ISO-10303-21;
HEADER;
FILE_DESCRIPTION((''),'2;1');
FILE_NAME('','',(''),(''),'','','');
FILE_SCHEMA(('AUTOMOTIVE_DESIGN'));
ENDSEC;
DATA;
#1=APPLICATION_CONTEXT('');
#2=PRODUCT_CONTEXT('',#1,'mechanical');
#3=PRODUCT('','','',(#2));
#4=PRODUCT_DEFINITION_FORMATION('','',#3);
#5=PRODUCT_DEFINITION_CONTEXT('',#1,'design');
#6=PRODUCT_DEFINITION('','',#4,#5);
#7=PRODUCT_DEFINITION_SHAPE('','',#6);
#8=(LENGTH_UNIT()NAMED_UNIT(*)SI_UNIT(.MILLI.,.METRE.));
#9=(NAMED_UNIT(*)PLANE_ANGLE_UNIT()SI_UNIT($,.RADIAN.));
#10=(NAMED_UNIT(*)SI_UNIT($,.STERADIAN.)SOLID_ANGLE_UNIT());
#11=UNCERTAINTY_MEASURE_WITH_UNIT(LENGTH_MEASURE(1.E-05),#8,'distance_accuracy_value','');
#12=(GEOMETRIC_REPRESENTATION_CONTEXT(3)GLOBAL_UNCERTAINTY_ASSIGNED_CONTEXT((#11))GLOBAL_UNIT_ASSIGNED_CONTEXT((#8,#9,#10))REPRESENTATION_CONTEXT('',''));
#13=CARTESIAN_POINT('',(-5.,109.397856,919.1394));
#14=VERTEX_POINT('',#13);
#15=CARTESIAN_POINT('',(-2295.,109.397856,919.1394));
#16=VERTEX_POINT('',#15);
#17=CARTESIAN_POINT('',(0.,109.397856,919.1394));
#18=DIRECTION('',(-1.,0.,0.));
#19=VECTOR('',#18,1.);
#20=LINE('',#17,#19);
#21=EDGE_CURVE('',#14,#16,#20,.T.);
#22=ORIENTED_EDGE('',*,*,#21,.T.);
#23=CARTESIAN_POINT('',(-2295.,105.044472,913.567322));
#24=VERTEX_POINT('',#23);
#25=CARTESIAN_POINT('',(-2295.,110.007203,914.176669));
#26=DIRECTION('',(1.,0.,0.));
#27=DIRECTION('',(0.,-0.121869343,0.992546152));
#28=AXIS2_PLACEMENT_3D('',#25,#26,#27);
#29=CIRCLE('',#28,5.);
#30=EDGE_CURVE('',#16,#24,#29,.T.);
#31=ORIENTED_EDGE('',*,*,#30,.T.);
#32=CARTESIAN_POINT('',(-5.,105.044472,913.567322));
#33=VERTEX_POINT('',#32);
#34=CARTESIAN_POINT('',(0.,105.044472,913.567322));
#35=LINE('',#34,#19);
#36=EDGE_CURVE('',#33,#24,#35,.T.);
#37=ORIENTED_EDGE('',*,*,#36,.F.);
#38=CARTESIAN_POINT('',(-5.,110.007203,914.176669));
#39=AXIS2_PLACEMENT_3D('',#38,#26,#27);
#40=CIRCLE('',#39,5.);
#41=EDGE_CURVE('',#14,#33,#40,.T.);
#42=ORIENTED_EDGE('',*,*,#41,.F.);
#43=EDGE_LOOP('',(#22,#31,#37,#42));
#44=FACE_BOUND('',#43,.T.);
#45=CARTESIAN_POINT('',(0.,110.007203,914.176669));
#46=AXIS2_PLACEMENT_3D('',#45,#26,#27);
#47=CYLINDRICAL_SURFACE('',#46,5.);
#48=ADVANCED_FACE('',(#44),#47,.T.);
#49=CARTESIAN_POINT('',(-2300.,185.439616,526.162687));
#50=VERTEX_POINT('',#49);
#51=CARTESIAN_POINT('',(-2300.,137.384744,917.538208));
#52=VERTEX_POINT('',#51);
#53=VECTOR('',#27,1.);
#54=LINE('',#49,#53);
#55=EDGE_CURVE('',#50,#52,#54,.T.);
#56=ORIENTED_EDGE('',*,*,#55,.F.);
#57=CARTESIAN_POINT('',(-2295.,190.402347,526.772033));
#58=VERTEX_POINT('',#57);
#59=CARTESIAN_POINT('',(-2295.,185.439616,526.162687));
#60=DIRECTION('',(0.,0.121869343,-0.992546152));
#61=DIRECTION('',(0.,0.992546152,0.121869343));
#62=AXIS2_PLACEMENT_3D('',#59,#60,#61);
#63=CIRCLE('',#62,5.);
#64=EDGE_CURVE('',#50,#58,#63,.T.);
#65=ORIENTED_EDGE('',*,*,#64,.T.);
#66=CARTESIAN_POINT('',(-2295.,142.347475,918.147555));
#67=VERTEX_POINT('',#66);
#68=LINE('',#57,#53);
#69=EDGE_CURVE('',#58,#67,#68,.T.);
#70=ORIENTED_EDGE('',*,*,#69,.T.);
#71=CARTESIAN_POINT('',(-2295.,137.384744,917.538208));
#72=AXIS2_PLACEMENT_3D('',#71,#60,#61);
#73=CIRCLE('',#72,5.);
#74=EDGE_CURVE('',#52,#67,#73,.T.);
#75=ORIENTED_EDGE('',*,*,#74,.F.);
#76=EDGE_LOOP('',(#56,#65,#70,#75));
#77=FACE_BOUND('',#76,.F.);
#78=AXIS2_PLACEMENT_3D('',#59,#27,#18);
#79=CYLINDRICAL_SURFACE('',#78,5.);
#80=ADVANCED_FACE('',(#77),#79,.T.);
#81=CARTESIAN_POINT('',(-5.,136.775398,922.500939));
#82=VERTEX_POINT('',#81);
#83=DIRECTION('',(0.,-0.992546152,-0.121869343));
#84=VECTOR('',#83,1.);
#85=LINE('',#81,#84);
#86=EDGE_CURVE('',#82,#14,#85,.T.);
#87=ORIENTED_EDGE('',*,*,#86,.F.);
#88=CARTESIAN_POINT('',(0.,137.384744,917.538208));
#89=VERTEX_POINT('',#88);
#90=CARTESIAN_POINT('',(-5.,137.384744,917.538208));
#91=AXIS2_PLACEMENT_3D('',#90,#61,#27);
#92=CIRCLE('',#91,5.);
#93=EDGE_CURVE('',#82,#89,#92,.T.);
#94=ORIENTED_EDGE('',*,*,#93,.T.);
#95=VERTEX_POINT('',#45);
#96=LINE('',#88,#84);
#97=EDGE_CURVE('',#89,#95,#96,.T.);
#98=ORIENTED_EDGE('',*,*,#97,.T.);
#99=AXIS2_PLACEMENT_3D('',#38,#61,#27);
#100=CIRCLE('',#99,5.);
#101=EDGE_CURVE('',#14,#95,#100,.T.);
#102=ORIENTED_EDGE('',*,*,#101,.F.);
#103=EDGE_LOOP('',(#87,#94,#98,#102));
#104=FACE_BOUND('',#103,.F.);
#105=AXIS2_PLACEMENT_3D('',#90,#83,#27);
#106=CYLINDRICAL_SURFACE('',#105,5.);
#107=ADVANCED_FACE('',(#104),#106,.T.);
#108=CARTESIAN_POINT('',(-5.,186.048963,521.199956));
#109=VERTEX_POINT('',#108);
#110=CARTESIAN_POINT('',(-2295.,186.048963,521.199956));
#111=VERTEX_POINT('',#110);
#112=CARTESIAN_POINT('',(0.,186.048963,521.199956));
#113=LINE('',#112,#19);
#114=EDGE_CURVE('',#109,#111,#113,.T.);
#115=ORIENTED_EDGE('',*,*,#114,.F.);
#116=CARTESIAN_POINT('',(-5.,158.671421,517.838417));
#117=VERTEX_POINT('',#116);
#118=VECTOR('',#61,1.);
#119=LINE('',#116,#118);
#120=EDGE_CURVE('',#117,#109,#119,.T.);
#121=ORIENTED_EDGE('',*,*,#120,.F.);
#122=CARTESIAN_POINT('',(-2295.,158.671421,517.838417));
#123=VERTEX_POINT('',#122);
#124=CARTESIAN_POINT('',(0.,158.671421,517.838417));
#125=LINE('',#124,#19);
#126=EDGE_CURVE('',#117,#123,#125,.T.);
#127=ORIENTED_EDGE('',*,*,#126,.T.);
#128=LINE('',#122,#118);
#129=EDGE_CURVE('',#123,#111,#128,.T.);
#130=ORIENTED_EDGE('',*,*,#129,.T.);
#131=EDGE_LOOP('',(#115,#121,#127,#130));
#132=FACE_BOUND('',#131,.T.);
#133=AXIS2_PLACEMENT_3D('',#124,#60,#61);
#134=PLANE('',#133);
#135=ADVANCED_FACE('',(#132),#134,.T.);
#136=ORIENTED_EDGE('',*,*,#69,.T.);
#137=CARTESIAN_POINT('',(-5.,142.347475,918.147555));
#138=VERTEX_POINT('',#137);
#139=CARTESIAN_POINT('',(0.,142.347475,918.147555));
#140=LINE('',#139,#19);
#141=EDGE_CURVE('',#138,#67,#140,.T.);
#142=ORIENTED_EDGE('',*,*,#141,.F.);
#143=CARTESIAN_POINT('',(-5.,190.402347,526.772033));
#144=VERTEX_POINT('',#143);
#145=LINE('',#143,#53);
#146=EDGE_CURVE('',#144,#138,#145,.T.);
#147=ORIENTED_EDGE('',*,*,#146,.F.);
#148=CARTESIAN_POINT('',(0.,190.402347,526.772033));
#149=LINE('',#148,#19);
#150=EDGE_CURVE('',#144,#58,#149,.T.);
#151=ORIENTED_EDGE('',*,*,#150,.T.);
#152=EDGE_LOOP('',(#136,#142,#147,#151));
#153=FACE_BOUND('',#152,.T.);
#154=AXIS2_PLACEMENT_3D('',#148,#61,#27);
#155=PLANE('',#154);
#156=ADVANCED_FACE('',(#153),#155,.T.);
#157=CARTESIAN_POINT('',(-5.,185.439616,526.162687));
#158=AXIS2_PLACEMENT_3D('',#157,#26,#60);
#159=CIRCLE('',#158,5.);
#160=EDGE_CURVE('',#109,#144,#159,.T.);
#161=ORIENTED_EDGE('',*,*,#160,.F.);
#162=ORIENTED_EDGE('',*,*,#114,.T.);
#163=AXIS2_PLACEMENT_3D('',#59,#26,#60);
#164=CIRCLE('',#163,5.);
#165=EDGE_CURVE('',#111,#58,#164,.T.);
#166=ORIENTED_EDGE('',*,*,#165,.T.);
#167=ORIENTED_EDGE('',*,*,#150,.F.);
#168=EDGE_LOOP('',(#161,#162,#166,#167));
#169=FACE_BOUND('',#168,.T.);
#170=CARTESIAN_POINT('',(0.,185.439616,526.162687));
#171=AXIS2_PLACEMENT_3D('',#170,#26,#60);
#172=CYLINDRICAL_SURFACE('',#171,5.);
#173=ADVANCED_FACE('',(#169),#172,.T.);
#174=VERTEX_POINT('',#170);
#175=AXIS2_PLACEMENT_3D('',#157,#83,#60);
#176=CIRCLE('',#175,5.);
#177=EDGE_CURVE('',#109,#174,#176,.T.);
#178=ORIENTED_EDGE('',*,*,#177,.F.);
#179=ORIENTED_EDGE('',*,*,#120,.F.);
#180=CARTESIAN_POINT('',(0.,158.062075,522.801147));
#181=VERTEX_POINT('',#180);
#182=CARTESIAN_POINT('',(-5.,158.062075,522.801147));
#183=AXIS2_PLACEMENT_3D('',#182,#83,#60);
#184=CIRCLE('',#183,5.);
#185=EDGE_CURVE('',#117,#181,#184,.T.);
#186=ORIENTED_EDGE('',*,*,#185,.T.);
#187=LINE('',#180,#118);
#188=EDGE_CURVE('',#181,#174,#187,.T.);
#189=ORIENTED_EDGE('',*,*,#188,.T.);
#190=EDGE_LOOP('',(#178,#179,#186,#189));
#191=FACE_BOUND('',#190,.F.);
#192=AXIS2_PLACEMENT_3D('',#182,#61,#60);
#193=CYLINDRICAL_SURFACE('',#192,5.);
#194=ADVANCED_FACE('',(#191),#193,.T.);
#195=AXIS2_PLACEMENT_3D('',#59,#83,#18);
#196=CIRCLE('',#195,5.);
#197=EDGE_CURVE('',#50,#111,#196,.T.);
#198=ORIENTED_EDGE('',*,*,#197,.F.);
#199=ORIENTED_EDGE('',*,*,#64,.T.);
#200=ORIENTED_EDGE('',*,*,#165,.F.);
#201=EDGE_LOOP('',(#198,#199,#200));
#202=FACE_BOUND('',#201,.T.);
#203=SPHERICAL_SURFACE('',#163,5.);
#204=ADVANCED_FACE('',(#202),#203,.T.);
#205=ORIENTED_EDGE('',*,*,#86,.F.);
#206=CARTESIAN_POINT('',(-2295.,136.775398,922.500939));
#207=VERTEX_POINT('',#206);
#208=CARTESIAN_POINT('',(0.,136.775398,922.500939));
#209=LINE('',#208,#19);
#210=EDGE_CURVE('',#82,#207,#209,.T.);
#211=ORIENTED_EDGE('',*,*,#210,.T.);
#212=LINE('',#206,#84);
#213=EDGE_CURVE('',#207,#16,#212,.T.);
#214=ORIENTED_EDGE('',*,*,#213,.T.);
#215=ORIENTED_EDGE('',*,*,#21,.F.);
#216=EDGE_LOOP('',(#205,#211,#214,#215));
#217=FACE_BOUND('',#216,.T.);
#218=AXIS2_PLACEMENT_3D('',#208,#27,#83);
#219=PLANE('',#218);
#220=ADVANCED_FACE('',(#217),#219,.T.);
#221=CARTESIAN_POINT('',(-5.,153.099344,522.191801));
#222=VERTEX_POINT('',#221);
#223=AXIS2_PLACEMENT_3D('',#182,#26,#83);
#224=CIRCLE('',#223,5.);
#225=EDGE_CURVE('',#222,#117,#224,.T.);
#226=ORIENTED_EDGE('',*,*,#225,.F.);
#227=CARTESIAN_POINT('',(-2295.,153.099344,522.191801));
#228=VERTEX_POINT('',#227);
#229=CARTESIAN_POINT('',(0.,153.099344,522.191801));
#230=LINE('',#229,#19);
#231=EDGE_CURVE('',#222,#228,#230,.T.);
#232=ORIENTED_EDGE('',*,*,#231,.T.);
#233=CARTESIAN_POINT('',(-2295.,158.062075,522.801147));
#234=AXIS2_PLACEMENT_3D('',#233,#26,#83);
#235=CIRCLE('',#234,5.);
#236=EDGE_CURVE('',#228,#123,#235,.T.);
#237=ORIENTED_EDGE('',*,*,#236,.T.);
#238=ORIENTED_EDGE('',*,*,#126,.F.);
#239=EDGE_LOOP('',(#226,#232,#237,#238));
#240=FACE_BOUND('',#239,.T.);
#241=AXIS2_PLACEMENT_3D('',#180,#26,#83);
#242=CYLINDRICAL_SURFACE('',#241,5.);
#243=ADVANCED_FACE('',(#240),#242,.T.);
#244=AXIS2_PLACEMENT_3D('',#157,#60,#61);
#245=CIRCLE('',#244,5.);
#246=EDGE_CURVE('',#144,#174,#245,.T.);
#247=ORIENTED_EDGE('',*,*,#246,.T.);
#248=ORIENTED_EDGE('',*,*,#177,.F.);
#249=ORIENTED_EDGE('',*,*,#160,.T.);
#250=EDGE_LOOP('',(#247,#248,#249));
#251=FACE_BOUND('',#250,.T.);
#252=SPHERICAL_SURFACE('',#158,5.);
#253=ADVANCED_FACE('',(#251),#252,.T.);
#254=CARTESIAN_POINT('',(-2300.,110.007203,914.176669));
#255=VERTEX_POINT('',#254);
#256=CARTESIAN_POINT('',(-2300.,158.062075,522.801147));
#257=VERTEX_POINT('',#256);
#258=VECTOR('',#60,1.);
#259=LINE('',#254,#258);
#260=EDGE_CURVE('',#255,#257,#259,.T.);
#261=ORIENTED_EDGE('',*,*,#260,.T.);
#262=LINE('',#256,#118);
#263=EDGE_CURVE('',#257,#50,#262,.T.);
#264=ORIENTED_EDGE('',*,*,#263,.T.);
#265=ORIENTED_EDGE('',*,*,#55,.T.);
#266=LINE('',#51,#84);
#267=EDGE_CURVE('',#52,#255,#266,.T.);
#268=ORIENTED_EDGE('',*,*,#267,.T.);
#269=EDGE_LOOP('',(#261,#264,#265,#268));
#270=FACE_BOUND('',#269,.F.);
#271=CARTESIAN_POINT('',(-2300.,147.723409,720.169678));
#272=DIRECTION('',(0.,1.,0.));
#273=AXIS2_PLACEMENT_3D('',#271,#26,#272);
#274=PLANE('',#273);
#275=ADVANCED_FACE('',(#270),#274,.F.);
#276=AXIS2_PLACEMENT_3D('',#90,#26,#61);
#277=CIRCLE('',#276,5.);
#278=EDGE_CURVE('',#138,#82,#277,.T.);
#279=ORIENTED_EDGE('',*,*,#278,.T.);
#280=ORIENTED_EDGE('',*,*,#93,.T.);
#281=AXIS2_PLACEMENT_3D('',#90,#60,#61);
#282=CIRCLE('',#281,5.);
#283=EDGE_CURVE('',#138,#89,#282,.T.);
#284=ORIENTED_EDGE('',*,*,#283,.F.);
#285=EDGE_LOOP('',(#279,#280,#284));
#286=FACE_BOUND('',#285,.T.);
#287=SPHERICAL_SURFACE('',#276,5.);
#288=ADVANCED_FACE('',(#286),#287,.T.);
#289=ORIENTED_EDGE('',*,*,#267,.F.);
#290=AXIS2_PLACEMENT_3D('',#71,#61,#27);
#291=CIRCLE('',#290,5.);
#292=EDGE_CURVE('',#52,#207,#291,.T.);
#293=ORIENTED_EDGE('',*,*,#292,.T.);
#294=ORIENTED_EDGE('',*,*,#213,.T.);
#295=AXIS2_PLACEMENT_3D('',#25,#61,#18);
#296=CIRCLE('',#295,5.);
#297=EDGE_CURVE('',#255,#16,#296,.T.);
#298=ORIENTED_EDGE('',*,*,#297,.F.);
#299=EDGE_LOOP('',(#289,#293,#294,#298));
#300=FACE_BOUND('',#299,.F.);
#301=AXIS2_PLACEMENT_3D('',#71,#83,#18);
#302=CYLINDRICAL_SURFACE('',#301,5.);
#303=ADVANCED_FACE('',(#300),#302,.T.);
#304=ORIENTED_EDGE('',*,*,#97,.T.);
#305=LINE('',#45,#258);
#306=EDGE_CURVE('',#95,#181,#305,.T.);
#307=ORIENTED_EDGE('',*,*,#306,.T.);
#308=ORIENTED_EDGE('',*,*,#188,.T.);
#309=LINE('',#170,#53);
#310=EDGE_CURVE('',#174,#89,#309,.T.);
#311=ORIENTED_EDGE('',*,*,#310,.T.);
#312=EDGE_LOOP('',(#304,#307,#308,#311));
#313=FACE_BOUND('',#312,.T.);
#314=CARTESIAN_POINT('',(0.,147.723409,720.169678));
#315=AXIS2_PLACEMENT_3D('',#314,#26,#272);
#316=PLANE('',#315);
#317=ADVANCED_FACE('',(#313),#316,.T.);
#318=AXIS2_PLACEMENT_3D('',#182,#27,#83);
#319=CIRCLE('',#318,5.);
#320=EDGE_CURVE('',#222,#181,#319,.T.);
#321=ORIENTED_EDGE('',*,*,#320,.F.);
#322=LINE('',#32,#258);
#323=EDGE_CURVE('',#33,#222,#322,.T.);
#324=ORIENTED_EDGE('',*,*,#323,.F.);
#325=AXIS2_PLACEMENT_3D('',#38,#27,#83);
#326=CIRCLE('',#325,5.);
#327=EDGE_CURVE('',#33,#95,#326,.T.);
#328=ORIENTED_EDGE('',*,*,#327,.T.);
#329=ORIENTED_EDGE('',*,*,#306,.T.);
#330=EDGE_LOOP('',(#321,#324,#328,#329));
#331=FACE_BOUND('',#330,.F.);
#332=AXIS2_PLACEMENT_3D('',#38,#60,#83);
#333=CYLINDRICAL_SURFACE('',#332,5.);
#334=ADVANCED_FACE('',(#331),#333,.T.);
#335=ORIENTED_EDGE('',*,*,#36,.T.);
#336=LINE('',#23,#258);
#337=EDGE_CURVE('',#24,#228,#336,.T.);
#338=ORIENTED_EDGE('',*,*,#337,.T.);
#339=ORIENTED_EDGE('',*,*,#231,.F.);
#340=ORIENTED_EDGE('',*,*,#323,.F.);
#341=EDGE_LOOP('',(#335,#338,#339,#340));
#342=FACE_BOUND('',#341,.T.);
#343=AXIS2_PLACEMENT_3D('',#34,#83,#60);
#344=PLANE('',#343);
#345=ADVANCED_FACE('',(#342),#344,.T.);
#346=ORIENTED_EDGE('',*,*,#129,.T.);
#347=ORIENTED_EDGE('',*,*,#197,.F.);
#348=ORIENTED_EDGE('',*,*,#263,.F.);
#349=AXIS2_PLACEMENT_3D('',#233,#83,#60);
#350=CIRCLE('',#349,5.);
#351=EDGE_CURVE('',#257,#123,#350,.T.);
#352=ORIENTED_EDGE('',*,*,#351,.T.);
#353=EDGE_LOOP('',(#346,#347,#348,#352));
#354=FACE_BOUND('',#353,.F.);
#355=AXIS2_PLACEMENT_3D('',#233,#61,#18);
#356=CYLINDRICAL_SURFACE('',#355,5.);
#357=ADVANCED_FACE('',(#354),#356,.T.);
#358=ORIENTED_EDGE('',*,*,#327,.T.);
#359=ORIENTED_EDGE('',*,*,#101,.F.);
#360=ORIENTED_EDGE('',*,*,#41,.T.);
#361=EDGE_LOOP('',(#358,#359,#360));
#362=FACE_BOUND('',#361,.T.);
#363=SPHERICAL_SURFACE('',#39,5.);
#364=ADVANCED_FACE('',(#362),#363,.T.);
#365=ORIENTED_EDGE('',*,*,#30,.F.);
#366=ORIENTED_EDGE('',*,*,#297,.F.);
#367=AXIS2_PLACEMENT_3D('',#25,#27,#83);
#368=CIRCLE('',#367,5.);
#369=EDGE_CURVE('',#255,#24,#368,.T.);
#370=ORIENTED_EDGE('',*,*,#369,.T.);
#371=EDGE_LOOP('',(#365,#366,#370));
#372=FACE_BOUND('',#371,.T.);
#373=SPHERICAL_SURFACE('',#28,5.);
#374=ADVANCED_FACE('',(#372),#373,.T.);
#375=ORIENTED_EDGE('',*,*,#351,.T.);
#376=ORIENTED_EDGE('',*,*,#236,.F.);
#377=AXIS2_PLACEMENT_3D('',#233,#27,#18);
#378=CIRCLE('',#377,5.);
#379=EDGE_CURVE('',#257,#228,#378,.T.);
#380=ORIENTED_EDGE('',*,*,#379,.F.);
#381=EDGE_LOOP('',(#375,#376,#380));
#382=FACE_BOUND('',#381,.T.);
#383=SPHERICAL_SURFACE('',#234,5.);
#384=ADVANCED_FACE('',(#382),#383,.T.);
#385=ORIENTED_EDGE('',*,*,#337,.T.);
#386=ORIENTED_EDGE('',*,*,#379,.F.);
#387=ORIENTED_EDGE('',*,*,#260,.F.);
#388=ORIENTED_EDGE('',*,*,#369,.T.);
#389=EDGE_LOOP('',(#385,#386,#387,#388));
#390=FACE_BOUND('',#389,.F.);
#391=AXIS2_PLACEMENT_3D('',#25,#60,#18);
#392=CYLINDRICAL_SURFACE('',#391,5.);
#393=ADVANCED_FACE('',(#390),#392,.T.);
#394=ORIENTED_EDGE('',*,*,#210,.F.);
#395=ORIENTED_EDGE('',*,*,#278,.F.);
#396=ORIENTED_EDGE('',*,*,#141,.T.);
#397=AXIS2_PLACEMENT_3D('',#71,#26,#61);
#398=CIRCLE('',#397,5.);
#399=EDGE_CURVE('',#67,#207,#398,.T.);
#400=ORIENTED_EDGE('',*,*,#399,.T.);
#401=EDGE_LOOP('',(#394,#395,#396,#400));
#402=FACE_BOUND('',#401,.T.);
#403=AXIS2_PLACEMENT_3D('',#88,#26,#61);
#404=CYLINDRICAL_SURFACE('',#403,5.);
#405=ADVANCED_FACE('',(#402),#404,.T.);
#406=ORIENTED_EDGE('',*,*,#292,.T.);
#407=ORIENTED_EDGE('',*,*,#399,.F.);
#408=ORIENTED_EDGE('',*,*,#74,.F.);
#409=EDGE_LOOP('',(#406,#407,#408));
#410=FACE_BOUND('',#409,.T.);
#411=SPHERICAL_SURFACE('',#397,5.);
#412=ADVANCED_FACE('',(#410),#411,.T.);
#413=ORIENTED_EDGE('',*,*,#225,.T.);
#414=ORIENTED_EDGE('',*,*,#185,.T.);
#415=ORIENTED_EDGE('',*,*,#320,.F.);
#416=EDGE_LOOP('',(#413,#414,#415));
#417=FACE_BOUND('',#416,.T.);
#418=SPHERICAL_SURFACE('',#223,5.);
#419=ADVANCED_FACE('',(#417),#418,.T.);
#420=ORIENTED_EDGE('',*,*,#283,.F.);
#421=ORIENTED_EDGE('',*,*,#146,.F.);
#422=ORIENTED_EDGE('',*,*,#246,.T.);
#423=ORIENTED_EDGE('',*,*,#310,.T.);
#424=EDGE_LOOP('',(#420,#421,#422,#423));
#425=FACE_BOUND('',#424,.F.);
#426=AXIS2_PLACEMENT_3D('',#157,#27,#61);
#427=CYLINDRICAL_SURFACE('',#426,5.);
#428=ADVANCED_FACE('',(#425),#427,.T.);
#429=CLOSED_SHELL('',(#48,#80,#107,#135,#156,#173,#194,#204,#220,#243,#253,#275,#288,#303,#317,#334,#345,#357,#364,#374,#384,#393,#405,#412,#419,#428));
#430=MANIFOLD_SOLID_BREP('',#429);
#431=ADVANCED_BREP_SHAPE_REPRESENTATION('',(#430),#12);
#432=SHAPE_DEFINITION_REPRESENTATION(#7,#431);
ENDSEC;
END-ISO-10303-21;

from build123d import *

# Parameters (mm, degrees)
F1_DEPTH = 2300
F2_R     = 5
F3_R     = 5


with BuildPart() as f1:
    # F0 (on Right) → F1 (new body)
    with BuildSketch(Plane.YZ):
        with BuildLine():
            ThreePointArc((109.3978564406, 919.1393998067), (106.0671493896, 917.2549764252), (105.0444723994, 913.5673223315))
            Line((105.0444723994, 913.5673223315), (153.0993439735, 522.1918006805))
            ThreePointArc((153.0993439735, 522.1918006805), (154.983767355, 518.8610936295), (158.6714214487, 517.8384166393))
            Line((158.6714214487, 517.8384166393), (186.0489625337, 521.199956))
            ThreePointArc((186.0489625337, 521.199956), (189.3796695847, 523.0843793816), (190.4023465749, 526.7720334753))
            Line((190.4023465749, 526.7720334753), (142.3474750008, 918.1475551263))
            ThreePointArc((142.3474750008, 918.1475551263), (140.4630516192, 921.4782621773), (136.7753975256, 922.5009391675))
            Line((136.7753975256, 922.5009391675), (109.3978564406, 919.1393998067))
        make_face()
    extrude(amount=-F1_DEPTH)

    # F2
    f2_edges = [f1.edges().sort_by_distance(p)[0] for p in [
        (0, 140.463052, 921.478262),
        (0, 123.086627, 920.820169),
        (0, 106.067149, 917.254976),
        (0, 129.071908, 717.879562),
        (0, 154.983767, 518.861094),
        (0, 172.360192, 519.519186),
        (0, 189.37967, 523.084379),
        (0, 166.374911, 722.459794),
    ]]
    fillet(f2_edges, radius=F2_R)

    # F3
    f3_edges = [f1.edges().sort_by_distance(p)[0] for p in [
        (-2300, 140.463052, 921.478262),
        (-2300, 123.086627, 920.820169),
        (-2300, 106.067149, 917.254976),
        (-2300, 129.071908, 717.879562),
        (-2300, 154.983767, 518.861094),
        (-2300, 172.360192, 519.519186),
        (-2300, 189.37967, 523.084379),
        (-2300, 166.374911, 722.459794),
    ]]
    fillet(f3_edges, radius=F3_R)


solid = f1.part
